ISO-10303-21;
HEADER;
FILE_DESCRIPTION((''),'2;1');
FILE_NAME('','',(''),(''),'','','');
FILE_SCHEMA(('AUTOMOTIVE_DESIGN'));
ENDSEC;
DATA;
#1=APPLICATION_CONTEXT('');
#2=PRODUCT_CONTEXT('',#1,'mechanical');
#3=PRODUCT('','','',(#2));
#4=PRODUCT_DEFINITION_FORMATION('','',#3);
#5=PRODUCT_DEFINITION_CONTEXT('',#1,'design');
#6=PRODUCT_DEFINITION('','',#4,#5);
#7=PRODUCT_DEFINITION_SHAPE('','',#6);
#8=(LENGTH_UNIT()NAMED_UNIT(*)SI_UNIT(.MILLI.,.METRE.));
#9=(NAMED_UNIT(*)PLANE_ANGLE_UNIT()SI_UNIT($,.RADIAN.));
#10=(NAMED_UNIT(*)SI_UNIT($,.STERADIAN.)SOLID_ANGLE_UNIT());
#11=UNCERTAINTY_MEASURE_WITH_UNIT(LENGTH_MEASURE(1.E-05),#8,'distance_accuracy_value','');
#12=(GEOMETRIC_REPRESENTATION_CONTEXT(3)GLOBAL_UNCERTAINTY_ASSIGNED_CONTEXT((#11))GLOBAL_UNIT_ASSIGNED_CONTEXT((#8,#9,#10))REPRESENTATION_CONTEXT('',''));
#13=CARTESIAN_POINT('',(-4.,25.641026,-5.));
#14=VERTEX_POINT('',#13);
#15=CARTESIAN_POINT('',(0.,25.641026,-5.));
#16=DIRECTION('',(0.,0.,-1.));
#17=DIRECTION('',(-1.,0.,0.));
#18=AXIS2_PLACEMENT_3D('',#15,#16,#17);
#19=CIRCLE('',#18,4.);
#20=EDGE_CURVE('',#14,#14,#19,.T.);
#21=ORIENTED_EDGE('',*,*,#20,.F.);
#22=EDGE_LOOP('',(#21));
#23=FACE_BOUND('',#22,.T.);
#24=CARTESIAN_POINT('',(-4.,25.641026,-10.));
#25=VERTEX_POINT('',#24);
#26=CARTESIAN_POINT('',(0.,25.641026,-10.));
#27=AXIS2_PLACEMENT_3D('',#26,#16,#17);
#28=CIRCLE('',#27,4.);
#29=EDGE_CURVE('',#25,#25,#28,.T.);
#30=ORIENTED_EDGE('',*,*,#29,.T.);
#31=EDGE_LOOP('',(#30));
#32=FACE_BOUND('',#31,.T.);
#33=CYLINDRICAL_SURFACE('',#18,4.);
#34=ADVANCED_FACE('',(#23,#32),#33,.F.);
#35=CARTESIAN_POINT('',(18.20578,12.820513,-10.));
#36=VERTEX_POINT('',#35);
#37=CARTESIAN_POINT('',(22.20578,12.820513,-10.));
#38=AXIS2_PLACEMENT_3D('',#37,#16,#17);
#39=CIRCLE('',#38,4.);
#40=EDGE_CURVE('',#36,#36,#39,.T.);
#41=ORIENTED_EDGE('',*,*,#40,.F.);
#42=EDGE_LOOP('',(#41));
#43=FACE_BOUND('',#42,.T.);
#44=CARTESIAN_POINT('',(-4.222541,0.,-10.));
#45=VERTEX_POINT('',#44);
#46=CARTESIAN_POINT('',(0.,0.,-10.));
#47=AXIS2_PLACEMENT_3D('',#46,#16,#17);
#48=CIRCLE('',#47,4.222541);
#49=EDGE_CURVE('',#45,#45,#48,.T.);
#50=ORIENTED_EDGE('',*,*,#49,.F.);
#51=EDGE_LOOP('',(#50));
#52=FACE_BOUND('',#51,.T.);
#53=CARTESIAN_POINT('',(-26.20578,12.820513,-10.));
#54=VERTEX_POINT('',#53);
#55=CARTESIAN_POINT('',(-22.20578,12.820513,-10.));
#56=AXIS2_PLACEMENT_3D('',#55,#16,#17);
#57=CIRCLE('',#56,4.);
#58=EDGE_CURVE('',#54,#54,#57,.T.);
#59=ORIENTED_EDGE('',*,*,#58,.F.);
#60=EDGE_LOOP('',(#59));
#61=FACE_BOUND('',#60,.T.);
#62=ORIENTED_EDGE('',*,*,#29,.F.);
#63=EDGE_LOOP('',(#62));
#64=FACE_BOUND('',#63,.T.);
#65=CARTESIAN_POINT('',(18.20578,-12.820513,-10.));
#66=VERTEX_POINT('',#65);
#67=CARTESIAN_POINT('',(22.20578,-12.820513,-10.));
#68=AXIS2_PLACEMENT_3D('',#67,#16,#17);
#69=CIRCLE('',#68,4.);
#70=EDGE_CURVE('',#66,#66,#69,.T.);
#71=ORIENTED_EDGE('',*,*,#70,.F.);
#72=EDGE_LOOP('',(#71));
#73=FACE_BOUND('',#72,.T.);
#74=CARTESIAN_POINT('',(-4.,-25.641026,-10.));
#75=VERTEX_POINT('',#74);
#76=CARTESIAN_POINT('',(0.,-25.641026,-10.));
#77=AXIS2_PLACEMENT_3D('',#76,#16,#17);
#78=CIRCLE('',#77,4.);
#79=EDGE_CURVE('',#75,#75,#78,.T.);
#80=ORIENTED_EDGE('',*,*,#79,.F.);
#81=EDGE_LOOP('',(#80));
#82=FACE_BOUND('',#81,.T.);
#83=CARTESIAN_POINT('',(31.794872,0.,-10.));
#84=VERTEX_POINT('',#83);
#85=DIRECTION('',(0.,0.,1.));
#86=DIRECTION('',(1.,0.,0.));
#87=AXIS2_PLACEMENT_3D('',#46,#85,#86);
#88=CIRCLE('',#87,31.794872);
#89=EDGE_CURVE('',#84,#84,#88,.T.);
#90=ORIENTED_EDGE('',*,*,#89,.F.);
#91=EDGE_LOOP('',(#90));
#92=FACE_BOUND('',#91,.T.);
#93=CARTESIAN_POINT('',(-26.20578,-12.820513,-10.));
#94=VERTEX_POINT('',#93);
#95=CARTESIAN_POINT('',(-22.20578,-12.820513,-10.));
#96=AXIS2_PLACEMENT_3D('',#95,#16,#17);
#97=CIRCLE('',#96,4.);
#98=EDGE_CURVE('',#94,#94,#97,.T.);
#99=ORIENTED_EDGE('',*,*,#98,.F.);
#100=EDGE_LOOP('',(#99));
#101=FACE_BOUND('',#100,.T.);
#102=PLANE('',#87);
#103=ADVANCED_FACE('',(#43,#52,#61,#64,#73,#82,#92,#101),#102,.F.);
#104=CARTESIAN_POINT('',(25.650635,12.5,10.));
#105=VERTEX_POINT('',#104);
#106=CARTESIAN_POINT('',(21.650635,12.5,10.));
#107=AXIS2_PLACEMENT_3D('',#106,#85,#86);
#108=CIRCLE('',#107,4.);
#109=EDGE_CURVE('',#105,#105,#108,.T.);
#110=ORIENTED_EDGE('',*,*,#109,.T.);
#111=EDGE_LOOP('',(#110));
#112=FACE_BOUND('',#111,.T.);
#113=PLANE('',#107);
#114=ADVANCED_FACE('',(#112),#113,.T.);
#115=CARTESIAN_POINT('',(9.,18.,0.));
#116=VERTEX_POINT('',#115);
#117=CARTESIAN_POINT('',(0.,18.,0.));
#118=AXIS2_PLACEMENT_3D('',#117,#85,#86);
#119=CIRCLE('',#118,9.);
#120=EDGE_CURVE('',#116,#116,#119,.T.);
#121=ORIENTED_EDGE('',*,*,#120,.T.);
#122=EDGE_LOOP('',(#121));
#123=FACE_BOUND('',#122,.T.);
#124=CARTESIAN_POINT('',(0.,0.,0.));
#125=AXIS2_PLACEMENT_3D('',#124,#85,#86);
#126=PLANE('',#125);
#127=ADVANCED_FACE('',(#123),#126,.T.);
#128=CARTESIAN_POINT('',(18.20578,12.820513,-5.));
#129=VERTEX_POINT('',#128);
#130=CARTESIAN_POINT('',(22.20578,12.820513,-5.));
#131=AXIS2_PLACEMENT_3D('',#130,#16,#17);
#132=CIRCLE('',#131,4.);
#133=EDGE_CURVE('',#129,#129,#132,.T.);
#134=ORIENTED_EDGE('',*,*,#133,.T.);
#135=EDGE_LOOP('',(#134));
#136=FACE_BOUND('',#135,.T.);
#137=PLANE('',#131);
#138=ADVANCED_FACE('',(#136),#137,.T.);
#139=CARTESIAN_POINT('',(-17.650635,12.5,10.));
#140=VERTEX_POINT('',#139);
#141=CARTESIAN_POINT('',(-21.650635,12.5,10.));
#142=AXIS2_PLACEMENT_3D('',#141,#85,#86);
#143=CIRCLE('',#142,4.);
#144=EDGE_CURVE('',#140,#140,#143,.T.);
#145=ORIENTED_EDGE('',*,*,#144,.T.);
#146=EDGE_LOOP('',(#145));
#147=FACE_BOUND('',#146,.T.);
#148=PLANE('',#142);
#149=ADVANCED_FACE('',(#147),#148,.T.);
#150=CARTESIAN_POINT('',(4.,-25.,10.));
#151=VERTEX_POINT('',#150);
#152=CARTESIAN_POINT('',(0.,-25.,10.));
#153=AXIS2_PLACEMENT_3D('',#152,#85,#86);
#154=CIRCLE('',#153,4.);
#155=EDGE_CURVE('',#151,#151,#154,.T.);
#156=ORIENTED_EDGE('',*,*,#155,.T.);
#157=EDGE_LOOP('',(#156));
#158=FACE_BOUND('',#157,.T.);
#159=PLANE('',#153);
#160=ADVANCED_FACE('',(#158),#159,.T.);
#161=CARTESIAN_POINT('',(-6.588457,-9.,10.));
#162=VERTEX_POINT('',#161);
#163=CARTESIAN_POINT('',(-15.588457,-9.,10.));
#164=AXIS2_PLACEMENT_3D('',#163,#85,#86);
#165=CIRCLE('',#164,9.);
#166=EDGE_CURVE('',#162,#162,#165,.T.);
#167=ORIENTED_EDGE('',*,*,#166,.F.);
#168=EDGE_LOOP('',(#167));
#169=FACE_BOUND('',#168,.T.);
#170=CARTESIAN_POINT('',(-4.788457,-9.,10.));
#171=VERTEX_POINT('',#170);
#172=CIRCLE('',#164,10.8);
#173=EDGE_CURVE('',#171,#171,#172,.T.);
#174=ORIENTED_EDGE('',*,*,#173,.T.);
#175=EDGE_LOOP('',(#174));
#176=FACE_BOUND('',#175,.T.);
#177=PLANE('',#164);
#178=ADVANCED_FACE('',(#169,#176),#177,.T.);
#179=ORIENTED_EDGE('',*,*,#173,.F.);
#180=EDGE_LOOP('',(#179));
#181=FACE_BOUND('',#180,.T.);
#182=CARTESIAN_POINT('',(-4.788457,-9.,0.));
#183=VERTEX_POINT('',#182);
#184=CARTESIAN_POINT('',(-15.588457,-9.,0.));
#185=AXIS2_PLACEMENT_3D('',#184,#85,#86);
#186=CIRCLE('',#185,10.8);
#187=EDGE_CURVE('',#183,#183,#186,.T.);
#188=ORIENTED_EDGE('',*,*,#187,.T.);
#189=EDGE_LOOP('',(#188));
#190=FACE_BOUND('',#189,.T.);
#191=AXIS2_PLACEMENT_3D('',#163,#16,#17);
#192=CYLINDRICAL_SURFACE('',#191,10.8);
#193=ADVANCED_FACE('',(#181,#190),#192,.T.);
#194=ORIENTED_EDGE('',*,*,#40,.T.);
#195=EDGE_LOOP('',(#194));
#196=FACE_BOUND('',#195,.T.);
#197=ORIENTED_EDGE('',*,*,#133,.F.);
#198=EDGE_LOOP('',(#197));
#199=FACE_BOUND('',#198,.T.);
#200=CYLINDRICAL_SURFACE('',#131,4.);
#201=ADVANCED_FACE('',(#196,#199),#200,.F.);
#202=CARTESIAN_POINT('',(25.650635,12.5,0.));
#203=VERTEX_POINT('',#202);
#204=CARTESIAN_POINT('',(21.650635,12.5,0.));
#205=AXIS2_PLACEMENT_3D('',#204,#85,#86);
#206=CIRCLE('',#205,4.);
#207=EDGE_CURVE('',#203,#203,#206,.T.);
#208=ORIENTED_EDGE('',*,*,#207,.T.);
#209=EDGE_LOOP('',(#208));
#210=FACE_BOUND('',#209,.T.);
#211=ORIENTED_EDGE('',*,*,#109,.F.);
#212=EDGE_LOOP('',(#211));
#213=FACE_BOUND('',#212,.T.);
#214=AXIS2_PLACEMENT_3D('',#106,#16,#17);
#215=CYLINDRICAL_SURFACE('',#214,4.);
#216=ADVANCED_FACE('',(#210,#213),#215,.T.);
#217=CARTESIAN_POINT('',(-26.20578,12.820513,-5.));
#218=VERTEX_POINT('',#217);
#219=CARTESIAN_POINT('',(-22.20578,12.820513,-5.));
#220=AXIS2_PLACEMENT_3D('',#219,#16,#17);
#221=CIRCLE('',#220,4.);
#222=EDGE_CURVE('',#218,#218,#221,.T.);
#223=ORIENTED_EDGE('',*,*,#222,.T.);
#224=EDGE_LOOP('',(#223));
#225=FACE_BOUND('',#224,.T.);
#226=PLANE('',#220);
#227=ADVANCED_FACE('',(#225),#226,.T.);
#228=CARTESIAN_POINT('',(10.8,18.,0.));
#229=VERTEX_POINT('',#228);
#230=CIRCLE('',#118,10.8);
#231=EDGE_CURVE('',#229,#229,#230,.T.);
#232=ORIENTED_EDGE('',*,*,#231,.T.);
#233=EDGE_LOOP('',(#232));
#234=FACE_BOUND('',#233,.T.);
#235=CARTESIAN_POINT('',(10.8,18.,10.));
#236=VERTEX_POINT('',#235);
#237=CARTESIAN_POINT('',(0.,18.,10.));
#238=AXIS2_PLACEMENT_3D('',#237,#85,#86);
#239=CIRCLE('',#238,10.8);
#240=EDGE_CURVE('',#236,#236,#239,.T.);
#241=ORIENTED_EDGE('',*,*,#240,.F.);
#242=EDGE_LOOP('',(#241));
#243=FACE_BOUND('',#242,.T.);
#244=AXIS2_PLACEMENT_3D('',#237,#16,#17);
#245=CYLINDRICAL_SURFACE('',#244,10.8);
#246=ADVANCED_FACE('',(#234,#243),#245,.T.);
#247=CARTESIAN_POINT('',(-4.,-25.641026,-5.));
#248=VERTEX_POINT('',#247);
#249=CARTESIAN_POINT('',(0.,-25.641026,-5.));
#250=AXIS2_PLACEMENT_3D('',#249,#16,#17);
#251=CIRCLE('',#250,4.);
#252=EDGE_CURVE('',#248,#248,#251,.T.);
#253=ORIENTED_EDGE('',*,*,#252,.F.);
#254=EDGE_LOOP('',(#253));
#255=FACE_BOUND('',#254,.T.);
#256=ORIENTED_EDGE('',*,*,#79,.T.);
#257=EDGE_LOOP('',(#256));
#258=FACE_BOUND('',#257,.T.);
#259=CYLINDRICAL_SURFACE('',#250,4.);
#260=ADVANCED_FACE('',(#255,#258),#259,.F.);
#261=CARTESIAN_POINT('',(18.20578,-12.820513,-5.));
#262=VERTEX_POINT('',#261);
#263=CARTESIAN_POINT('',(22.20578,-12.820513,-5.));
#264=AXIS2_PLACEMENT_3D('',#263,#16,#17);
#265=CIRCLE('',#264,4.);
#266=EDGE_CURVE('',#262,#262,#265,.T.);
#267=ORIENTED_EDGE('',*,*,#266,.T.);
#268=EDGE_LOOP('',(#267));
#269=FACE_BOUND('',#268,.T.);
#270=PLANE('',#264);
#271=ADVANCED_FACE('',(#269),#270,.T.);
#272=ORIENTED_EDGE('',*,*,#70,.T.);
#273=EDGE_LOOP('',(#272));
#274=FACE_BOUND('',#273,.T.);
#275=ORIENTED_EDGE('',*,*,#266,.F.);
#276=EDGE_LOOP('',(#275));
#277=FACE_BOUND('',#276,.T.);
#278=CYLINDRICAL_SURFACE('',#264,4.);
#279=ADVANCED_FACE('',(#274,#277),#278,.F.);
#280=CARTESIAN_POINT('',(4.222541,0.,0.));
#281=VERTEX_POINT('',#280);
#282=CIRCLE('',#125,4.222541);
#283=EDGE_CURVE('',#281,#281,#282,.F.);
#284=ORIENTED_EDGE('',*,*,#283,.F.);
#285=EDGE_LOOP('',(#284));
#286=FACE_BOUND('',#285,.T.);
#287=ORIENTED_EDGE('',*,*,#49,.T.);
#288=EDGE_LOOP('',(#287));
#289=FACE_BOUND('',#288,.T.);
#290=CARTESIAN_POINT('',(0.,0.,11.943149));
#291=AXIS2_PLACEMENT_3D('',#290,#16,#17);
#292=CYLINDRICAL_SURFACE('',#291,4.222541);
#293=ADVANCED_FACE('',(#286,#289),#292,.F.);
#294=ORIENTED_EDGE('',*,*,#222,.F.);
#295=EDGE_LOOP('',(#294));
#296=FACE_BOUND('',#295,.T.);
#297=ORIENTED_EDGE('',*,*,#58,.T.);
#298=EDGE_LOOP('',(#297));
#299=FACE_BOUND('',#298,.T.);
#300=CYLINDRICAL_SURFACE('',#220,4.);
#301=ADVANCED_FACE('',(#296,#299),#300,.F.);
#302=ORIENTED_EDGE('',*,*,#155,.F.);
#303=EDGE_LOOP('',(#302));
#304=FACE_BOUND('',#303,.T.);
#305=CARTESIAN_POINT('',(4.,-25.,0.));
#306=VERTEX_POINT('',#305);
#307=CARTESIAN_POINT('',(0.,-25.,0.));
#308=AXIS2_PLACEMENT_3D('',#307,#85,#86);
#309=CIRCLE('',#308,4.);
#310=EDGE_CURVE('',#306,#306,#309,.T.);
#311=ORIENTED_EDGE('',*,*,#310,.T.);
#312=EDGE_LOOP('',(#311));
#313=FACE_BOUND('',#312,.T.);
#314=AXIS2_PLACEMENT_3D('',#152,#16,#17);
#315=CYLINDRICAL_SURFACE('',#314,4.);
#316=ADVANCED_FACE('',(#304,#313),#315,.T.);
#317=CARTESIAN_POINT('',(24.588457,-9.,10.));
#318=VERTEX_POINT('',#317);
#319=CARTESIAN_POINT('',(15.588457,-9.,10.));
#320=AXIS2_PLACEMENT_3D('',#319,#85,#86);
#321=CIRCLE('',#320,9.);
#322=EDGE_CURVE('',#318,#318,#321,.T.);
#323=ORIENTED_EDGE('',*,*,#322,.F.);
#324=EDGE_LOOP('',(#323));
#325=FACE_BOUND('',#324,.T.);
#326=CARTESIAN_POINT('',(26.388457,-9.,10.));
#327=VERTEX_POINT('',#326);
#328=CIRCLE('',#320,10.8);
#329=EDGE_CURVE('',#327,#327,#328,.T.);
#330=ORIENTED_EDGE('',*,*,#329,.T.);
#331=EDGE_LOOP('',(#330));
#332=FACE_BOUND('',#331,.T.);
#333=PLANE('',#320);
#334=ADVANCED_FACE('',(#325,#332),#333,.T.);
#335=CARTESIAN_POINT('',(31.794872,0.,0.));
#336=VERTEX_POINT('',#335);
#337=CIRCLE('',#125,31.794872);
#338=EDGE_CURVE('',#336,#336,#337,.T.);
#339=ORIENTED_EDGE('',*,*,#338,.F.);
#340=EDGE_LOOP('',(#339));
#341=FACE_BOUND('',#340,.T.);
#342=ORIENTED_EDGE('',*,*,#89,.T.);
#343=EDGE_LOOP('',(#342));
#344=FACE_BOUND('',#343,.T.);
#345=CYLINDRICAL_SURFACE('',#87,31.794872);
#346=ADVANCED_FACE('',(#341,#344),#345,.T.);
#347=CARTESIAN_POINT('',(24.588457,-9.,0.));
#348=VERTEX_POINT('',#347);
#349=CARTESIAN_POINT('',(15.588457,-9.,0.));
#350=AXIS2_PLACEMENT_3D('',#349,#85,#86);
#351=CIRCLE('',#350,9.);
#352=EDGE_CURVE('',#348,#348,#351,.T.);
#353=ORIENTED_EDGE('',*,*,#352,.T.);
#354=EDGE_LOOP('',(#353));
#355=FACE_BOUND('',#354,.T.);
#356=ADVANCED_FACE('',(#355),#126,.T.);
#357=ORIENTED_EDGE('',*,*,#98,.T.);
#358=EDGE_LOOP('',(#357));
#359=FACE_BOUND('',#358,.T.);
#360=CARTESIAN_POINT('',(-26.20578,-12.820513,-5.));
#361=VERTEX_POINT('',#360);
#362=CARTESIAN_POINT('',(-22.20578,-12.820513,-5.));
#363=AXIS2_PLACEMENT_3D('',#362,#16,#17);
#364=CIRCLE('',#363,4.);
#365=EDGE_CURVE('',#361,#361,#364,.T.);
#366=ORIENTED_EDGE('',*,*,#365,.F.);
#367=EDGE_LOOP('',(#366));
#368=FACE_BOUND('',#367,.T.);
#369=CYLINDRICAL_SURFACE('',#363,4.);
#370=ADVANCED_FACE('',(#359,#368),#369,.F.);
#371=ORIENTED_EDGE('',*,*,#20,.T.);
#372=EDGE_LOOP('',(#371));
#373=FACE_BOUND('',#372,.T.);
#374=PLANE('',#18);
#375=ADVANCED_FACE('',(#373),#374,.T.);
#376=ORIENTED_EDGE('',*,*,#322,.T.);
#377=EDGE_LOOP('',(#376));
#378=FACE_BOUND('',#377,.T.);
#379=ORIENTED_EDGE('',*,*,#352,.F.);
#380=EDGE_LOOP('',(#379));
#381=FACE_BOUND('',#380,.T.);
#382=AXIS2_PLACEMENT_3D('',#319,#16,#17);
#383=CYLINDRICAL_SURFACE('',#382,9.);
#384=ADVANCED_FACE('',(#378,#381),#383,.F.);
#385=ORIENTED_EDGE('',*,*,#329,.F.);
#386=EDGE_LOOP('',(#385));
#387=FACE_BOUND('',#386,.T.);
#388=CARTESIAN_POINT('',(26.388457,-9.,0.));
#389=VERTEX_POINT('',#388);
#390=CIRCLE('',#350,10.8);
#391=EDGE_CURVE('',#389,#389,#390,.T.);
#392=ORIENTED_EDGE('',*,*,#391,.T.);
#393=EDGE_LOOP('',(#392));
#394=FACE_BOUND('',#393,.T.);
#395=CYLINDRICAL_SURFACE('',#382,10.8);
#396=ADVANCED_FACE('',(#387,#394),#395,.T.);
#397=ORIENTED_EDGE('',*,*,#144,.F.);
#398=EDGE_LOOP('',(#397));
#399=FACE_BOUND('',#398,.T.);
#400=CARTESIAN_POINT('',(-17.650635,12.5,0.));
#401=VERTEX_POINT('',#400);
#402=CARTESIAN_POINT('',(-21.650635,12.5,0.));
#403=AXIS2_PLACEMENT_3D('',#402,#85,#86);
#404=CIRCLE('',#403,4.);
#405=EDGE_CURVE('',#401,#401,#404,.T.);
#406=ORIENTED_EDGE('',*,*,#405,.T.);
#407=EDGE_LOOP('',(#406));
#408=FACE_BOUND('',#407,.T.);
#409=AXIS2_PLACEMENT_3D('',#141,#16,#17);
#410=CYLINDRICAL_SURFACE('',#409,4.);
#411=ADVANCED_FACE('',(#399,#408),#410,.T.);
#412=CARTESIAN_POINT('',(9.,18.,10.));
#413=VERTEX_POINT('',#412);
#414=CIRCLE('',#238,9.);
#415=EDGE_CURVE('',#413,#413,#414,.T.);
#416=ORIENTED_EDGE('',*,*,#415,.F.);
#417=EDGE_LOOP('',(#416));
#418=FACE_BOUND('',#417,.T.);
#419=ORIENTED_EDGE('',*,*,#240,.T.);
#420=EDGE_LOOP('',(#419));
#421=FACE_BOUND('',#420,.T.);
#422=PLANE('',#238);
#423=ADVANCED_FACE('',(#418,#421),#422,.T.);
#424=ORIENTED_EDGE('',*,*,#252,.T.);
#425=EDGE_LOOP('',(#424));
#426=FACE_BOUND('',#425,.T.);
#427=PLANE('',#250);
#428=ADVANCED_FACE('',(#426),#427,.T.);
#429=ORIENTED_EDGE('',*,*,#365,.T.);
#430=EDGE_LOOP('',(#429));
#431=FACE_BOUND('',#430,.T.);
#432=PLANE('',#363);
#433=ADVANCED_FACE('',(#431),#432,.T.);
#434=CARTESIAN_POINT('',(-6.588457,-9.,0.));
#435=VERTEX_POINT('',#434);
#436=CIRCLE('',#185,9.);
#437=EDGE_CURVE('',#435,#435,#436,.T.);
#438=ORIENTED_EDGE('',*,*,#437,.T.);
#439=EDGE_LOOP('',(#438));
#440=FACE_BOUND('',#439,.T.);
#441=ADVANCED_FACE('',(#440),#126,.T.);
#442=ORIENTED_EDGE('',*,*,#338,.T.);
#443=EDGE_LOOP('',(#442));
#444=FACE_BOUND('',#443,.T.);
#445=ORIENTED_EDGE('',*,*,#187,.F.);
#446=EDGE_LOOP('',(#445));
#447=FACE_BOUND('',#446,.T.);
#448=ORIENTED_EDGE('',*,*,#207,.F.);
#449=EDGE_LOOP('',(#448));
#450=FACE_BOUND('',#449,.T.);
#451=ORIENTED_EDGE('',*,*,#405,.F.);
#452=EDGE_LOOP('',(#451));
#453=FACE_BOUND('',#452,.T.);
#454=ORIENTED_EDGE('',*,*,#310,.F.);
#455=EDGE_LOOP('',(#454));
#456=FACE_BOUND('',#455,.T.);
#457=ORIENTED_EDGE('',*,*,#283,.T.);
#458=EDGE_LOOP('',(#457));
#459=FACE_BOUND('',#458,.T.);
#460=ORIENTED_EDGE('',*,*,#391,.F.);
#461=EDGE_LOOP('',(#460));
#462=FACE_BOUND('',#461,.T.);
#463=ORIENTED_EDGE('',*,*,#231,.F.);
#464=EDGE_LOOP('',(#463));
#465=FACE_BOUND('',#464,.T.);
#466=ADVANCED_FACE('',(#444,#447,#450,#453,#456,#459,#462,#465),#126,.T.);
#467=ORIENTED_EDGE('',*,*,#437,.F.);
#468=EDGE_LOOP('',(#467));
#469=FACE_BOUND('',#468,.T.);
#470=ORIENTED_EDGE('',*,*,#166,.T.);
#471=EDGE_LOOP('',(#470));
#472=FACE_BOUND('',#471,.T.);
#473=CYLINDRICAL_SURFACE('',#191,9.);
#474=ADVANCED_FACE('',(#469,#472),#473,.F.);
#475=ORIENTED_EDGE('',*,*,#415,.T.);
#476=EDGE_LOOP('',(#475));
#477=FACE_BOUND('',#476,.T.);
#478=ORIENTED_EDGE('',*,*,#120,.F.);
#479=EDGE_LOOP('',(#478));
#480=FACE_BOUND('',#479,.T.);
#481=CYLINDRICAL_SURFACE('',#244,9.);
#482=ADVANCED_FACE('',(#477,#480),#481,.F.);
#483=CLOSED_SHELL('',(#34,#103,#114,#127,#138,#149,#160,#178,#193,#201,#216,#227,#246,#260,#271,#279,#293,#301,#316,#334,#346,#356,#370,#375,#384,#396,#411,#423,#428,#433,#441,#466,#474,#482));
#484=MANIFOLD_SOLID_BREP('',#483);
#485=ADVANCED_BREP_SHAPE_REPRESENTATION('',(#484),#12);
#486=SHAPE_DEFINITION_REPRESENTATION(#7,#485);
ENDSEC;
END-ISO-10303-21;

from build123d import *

# Parameters (mm, degrees)
ESQUISSE4_R             = 31.794871795
BOSS_EXTRU_1_DEPTH      = 10
ESQUISSE5_R             = 10.8
ESQUISSE5_R_2           = 9
ESQUISSE5_R_3           = 4
BOSS_EXTRU_2_DEPTH      = 10
ESQUISSE6_R             = 4
ENL_V_MAT_EXTRU_2_DEPTH = 5
ESQUISSE8_R             = 4.222540961
ENL_V_MAT_EXTRU_4_DEPTH = 10


with BuildPart() as part:
    # Esquisse4 → Boss.-Extru.1 (new body)
    with BuildSketch(Plane.XY):
        Circle(ESQUISSE4_R)
    extrude(amount=-BOSS_EXTRU_1_DEPTH)

    # Esquisse5 → Boss.-Extru.2 (add)
    # profile 1 of 6: a face of its own
    with BuildSketch(Plane.XY):
        with Locations((15.588457268, -9)):
            Circle(ESQUISSE5_R)
        with Locations((15.588457268, -9)):
            Circle(ESQUISSE5_R_2, mode=Mode.SUBTRACT)
    # profile 2 of 6: a face of its own
    with BuildSketch(Plane.XY):
        with Locations((-15.588457268, -9)):
            Circle(ESQUISSE5_R)
        with Locations((-15.588457268, -9)):
            Circle(ESQUISSE5_R_2, mode=Mode.SUBTRACT)
    # profile 3 of 6: a face of its own
    with BuildSketch(Plane.XY):
        with Locations((0, 18)):
            Circle(ESQUISSE5_R)
        with Locations((0, 18)):
            Circle(ESQUISSE5_R_2, mode=Mode.SUBTRACT)
    # profile 4 of 6: a face of its own
    with BuildSketch(Plane.XY):
        with Locations((21.650635095, 12.5)):
            Circle(ESQUISSE5_R_3)
    # profile 5 of 6: a face of its own
    with BuildSketch(Plane.XY):
        with Locations((-21.650635095, 12.5)):
            Circle(ESQUISSE5_R_3)
    # profile 6 of 6: a face of its own
    with BuildSketch(Plane.XY):
        with Locations((0, -25)):
            Circle(ESQUISSE5_R_3)
    extrude(amount=BOSS_EXTRU_2_DEPTH)

    # Esquisse6 → Enlèv. mat.-Extru.2 (cut)
    with BuildSketch(Plane(origin=(0, 0, -10), x_dir=(-1, 0, 0), z_dir=(0, 0, -1))):
        with Locations((0, 25.641025641)):
            Circle(ESQUISSE6_R)
        with Locations((22.205779584, 12.820512821)):
            Circle(ESQUISSE6_R)
        with Locations((22.205779584, -12.820512821)):
            Circle(ESQUISSE6_R)
        with Locations((0, -25.641025641)):
            Circle(ESQUISSE6_R)
        with Locations((-22.205779584, -12.820512821)):
            Circle(ESQUISSE6_R)
        with Locations((-22.205779584, 12.820512821)):
            Circle(ESQUISSE6_R)
    extrude(amount=-ENL_V_MAT_EXTRU_2_DEPTH, mode=Mode.SUBTRACT)

    # Esquisse8 → Enlèv. mat.-Extru.4 (cut)
    with BuildSketch(Plane(origin=(0, 0, -10), x_dir=(-1, 0, 0), z_dir=(0, 0, -1))):
        Circle(ESQUISSE8_R)
    extrude(amount=-ENL_V_MAT_EXTRU_4_DEPTH, mode=Mode.SUBTRACT)


solid = part.part
